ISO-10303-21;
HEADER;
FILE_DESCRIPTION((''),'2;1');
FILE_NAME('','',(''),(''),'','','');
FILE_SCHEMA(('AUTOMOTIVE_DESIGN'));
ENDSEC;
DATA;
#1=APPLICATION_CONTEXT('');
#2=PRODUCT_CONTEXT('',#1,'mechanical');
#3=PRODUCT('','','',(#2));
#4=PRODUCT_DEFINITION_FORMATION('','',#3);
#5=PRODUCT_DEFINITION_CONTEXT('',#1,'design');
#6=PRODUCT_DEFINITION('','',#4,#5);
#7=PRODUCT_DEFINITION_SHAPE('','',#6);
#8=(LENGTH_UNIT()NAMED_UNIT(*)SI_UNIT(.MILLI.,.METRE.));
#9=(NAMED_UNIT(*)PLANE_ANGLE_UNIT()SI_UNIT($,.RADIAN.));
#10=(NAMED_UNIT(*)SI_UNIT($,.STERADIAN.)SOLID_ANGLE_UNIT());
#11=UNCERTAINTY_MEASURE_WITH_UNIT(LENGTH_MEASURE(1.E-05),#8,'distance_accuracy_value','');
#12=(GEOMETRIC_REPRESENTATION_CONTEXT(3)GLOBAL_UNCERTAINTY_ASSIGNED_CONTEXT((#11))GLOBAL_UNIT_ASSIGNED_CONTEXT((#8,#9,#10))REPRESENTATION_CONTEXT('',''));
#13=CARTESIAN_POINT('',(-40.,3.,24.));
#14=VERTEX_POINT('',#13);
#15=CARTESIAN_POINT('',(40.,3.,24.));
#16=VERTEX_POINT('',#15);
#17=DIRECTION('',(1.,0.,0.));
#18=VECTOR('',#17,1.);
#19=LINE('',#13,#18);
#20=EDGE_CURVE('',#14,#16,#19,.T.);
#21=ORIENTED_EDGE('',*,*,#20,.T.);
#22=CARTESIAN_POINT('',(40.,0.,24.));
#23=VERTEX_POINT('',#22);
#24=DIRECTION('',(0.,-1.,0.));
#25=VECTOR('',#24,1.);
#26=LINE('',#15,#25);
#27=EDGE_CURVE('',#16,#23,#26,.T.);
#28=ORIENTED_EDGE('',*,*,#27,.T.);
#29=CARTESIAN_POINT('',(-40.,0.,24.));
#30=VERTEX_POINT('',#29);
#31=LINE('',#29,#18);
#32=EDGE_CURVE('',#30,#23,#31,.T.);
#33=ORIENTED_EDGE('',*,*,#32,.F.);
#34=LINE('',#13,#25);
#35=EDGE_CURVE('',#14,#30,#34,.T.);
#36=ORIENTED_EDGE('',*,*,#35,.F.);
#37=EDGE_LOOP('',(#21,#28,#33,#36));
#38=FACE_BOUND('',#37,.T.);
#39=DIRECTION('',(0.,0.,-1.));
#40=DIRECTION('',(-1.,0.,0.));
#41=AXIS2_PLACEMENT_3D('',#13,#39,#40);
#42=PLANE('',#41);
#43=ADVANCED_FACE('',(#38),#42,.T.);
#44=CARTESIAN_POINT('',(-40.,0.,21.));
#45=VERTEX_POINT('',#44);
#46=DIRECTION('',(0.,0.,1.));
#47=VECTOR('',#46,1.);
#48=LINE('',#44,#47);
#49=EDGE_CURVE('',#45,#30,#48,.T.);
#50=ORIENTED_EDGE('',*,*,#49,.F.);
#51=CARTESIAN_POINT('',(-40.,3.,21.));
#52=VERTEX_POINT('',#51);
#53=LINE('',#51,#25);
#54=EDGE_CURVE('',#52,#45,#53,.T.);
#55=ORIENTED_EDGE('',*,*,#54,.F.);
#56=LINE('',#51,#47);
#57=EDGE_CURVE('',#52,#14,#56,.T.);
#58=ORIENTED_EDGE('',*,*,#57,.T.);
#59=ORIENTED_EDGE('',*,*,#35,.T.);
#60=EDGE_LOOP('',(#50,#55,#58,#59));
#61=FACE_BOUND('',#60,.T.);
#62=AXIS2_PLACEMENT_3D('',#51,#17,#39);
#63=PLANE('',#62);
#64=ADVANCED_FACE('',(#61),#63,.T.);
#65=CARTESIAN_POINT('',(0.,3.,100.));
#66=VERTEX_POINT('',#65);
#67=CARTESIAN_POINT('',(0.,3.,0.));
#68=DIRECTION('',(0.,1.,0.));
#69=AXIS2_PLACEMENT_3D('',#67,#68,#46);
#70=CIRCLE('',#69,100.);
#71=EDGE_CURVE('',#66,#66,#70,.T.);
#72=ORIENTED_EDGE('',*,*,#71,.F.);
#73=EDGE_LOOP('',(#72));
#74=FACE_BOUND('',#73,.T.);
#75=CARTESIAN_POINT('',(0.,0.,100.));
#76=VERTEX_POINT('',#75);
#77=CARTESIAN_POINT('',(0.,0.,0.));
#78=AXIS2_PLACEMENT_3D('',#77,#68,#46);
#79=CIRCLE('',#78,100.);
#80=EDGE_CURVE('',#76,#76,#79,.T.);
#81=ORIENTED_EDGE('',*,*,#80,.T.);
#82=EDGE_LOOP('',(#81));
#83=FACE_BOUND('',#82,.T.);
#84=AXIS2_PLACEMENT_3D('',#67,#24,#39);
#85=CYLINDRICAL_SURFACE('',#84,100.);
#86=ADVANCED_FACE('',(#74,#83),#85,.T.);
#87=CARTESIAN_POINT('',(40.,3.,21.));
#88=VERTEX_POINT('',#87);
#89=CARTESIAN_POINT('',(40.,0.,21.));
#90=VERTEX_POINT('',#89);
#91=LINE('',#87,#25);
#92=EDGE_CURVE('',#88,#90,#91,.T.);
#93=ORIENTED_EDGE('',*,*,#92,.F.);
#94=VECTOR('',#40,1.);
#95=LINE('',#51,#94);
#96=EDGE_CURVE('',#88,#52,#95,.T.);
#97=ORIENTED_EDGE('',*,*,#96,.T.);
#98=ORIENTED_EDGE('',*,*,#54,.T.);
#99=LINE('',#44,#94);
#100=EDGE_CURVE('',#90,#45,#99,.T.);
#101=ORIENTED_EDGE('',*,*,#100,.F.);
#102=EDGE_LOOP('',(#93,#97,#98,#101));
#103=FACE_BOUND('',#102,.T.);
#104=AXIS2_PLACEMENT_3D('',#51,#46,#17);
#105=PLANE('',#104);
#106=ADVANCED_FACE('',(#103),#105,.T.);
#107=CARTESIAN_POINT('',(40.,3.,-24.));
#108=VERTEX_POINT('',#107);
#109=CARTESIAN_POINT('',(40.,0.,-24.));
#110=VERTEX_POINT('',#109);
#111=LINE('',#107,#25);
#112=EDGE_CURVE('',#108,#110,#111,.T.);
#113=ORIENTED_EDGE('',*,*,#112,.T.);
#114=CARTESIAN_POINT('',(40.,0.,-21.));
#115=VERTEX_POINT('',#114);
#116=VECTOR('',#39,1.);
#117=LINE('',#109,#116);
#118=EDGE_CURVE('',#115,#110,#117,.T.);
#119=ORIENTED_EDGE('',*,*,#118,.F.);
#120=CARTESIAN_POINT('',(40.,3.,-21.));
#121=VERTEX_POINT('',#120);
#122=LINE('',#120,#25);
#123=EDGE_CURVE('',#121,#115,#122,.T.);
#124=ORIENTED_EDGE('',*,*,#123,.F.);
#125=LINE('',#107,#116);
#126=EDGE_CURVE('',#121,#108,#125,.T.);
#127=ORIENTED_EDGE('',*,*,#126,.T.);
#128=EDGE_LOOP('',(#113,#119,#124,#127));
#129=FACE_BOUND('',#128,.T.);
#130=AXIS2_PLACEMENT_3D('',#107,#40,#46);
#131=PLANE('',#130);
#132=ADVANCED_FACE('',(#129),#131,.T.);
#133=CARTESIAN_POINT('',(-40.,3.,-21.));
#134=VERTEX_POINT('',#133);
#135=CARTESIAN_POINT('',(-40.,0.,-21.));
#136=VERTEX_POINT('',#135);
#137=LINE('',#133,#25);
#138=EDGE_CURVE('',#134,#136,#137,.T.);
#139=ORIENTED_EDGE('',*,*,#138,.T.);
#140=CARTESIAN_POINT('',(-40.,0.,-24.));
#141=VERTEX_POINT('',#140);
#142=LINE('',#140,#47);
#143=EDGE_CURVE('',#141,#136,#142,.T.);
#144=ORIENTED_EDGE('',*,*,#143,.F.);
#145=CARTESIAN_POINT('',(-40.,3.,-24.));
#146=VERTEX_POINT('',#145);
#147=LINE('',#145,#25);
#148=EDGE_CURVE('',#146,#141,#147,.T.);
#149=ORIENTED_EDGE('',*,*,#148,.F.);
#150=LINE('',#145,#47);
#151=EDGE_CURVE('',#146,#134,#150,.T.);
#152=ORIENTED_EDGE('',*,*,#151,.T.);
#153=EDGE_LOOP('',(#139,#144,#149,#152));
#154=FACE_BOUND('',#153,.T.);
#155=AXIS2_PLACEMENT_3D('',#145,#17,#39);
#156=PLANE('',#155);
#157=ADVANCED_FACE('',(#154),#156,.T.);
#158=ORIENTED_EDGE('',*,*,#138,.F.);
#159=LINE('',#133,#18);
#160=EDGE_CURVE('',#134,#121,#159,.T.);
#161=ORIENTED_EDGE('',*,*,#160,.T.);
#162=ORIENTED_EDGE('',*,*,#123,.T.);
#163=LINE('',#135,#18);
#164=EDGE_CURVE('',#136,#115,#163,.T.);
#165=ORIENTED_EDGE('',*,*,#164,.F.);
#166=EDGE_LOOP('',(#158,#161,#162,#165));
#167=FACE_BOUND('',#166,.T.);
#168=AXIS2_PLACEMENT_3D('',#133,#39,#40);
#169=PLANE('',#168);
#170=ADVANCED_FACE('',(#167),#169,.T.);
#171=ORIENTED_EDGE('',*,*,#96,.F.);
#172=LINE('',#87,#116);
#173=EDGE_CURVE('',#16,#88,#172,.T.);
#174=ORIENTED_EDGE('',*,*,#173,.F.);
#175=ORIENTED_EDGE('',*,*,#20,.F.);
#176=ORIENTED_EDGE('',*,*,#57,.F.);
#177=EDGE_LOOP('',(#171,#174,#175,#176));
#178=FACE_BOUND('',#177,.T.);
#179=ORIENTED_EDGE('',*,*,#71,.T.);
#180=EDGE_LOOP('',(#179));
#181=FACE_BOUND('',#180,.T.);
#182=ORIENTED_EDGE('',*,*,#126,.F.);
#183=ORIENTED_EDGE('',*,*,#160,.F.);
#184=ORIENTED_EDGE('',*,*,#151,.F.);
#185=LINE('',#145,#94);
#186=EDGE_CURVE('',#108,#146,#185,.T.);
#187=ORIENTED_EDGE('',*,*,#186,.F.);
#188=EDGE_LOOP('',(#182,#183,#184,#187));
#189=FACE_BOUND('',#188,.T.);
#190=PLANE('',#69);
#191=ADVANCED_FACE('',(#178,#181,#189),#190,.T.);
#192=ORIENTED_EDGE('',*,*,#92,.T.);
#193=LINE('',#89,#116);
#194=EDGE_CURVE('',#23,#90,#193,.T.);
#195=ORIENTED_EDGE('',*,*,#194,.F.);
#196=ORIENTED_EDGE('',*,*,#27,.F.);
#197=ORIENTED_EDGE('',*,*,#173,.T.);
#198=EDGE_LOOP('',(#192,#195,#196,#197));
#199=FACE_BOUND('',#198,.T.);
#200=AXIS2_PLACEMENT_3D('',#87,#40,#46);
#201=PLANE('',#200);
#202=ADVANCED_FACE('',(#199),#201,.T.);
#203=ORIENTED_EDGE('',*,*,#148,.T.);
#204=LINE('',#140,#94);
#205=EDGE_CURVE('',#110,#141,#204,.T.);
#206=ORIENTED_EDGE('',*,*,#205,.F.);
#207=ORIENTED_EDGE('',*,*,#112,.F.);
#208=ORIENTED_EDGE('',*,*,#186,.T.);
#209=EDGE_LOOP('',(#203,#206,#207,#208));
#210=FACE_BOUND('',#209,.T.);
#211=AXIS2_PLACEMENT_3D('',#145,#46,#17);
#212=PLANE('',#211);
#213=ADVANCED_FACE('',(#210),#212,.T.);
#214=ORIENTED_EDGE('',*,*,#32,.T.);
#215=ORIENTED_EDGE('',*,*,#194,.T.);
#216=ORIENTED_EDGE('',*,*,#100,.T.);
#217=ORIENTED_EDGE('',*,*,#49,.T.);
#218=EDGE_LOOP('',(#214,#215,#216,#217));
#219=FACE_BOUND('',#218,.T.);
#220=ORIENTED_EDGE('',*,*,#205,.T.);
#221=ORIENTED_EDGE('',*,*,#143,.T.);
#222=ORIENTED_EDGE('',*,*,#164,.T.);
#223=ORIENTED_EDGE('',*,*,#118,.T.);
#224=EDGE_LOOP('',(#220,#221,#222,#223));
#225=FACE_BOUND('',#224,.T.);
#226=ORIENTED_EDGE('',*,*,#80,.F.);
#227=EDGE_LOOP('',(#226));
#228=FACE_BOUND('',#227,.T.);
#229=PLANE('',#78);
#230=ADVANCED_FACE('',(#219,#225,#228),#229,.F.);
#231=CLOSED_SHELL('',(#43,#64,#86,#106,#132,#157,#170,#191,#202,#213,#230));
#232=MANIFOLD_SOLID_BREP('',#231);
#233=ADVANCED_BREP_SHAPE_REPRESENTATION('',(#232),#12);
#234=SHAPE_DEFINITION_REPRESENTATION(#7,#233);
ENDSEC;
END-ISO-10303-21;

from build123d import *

# Parameters (mm, degrees)
SKETCH1_R           = 100
SKETCH1_W           = 80
SKETCH1_H           = 3
BOSS_EXTRUDE1_DEPTH = 3


with BuildPart() as part:
    # Sketch1 → Boss-Extrude1 (new body)
    with BuildSketch(Plane(origin=(0, 0, 0), x_dir=(1, 0, 0), z_dir=(0, 1, 0))):
        with Locations(Location((0, 0, 0), (0, 0, 270))):
            Circle(SKETCH1_R)
        with Locations((0, -22.5)):
            Rectangle(SKETCH1_W, SKETCH1_H, mode=Mode.SUBTRACT)
        with Locations((0, 22.5)):
            Rectangle(SKETCH1_W, SKETCH1_H, mode=Mode.SUBTRACT)
    extrude(amount=BOSS_EXTRUDE1_DEPTH)


solid = part.part
